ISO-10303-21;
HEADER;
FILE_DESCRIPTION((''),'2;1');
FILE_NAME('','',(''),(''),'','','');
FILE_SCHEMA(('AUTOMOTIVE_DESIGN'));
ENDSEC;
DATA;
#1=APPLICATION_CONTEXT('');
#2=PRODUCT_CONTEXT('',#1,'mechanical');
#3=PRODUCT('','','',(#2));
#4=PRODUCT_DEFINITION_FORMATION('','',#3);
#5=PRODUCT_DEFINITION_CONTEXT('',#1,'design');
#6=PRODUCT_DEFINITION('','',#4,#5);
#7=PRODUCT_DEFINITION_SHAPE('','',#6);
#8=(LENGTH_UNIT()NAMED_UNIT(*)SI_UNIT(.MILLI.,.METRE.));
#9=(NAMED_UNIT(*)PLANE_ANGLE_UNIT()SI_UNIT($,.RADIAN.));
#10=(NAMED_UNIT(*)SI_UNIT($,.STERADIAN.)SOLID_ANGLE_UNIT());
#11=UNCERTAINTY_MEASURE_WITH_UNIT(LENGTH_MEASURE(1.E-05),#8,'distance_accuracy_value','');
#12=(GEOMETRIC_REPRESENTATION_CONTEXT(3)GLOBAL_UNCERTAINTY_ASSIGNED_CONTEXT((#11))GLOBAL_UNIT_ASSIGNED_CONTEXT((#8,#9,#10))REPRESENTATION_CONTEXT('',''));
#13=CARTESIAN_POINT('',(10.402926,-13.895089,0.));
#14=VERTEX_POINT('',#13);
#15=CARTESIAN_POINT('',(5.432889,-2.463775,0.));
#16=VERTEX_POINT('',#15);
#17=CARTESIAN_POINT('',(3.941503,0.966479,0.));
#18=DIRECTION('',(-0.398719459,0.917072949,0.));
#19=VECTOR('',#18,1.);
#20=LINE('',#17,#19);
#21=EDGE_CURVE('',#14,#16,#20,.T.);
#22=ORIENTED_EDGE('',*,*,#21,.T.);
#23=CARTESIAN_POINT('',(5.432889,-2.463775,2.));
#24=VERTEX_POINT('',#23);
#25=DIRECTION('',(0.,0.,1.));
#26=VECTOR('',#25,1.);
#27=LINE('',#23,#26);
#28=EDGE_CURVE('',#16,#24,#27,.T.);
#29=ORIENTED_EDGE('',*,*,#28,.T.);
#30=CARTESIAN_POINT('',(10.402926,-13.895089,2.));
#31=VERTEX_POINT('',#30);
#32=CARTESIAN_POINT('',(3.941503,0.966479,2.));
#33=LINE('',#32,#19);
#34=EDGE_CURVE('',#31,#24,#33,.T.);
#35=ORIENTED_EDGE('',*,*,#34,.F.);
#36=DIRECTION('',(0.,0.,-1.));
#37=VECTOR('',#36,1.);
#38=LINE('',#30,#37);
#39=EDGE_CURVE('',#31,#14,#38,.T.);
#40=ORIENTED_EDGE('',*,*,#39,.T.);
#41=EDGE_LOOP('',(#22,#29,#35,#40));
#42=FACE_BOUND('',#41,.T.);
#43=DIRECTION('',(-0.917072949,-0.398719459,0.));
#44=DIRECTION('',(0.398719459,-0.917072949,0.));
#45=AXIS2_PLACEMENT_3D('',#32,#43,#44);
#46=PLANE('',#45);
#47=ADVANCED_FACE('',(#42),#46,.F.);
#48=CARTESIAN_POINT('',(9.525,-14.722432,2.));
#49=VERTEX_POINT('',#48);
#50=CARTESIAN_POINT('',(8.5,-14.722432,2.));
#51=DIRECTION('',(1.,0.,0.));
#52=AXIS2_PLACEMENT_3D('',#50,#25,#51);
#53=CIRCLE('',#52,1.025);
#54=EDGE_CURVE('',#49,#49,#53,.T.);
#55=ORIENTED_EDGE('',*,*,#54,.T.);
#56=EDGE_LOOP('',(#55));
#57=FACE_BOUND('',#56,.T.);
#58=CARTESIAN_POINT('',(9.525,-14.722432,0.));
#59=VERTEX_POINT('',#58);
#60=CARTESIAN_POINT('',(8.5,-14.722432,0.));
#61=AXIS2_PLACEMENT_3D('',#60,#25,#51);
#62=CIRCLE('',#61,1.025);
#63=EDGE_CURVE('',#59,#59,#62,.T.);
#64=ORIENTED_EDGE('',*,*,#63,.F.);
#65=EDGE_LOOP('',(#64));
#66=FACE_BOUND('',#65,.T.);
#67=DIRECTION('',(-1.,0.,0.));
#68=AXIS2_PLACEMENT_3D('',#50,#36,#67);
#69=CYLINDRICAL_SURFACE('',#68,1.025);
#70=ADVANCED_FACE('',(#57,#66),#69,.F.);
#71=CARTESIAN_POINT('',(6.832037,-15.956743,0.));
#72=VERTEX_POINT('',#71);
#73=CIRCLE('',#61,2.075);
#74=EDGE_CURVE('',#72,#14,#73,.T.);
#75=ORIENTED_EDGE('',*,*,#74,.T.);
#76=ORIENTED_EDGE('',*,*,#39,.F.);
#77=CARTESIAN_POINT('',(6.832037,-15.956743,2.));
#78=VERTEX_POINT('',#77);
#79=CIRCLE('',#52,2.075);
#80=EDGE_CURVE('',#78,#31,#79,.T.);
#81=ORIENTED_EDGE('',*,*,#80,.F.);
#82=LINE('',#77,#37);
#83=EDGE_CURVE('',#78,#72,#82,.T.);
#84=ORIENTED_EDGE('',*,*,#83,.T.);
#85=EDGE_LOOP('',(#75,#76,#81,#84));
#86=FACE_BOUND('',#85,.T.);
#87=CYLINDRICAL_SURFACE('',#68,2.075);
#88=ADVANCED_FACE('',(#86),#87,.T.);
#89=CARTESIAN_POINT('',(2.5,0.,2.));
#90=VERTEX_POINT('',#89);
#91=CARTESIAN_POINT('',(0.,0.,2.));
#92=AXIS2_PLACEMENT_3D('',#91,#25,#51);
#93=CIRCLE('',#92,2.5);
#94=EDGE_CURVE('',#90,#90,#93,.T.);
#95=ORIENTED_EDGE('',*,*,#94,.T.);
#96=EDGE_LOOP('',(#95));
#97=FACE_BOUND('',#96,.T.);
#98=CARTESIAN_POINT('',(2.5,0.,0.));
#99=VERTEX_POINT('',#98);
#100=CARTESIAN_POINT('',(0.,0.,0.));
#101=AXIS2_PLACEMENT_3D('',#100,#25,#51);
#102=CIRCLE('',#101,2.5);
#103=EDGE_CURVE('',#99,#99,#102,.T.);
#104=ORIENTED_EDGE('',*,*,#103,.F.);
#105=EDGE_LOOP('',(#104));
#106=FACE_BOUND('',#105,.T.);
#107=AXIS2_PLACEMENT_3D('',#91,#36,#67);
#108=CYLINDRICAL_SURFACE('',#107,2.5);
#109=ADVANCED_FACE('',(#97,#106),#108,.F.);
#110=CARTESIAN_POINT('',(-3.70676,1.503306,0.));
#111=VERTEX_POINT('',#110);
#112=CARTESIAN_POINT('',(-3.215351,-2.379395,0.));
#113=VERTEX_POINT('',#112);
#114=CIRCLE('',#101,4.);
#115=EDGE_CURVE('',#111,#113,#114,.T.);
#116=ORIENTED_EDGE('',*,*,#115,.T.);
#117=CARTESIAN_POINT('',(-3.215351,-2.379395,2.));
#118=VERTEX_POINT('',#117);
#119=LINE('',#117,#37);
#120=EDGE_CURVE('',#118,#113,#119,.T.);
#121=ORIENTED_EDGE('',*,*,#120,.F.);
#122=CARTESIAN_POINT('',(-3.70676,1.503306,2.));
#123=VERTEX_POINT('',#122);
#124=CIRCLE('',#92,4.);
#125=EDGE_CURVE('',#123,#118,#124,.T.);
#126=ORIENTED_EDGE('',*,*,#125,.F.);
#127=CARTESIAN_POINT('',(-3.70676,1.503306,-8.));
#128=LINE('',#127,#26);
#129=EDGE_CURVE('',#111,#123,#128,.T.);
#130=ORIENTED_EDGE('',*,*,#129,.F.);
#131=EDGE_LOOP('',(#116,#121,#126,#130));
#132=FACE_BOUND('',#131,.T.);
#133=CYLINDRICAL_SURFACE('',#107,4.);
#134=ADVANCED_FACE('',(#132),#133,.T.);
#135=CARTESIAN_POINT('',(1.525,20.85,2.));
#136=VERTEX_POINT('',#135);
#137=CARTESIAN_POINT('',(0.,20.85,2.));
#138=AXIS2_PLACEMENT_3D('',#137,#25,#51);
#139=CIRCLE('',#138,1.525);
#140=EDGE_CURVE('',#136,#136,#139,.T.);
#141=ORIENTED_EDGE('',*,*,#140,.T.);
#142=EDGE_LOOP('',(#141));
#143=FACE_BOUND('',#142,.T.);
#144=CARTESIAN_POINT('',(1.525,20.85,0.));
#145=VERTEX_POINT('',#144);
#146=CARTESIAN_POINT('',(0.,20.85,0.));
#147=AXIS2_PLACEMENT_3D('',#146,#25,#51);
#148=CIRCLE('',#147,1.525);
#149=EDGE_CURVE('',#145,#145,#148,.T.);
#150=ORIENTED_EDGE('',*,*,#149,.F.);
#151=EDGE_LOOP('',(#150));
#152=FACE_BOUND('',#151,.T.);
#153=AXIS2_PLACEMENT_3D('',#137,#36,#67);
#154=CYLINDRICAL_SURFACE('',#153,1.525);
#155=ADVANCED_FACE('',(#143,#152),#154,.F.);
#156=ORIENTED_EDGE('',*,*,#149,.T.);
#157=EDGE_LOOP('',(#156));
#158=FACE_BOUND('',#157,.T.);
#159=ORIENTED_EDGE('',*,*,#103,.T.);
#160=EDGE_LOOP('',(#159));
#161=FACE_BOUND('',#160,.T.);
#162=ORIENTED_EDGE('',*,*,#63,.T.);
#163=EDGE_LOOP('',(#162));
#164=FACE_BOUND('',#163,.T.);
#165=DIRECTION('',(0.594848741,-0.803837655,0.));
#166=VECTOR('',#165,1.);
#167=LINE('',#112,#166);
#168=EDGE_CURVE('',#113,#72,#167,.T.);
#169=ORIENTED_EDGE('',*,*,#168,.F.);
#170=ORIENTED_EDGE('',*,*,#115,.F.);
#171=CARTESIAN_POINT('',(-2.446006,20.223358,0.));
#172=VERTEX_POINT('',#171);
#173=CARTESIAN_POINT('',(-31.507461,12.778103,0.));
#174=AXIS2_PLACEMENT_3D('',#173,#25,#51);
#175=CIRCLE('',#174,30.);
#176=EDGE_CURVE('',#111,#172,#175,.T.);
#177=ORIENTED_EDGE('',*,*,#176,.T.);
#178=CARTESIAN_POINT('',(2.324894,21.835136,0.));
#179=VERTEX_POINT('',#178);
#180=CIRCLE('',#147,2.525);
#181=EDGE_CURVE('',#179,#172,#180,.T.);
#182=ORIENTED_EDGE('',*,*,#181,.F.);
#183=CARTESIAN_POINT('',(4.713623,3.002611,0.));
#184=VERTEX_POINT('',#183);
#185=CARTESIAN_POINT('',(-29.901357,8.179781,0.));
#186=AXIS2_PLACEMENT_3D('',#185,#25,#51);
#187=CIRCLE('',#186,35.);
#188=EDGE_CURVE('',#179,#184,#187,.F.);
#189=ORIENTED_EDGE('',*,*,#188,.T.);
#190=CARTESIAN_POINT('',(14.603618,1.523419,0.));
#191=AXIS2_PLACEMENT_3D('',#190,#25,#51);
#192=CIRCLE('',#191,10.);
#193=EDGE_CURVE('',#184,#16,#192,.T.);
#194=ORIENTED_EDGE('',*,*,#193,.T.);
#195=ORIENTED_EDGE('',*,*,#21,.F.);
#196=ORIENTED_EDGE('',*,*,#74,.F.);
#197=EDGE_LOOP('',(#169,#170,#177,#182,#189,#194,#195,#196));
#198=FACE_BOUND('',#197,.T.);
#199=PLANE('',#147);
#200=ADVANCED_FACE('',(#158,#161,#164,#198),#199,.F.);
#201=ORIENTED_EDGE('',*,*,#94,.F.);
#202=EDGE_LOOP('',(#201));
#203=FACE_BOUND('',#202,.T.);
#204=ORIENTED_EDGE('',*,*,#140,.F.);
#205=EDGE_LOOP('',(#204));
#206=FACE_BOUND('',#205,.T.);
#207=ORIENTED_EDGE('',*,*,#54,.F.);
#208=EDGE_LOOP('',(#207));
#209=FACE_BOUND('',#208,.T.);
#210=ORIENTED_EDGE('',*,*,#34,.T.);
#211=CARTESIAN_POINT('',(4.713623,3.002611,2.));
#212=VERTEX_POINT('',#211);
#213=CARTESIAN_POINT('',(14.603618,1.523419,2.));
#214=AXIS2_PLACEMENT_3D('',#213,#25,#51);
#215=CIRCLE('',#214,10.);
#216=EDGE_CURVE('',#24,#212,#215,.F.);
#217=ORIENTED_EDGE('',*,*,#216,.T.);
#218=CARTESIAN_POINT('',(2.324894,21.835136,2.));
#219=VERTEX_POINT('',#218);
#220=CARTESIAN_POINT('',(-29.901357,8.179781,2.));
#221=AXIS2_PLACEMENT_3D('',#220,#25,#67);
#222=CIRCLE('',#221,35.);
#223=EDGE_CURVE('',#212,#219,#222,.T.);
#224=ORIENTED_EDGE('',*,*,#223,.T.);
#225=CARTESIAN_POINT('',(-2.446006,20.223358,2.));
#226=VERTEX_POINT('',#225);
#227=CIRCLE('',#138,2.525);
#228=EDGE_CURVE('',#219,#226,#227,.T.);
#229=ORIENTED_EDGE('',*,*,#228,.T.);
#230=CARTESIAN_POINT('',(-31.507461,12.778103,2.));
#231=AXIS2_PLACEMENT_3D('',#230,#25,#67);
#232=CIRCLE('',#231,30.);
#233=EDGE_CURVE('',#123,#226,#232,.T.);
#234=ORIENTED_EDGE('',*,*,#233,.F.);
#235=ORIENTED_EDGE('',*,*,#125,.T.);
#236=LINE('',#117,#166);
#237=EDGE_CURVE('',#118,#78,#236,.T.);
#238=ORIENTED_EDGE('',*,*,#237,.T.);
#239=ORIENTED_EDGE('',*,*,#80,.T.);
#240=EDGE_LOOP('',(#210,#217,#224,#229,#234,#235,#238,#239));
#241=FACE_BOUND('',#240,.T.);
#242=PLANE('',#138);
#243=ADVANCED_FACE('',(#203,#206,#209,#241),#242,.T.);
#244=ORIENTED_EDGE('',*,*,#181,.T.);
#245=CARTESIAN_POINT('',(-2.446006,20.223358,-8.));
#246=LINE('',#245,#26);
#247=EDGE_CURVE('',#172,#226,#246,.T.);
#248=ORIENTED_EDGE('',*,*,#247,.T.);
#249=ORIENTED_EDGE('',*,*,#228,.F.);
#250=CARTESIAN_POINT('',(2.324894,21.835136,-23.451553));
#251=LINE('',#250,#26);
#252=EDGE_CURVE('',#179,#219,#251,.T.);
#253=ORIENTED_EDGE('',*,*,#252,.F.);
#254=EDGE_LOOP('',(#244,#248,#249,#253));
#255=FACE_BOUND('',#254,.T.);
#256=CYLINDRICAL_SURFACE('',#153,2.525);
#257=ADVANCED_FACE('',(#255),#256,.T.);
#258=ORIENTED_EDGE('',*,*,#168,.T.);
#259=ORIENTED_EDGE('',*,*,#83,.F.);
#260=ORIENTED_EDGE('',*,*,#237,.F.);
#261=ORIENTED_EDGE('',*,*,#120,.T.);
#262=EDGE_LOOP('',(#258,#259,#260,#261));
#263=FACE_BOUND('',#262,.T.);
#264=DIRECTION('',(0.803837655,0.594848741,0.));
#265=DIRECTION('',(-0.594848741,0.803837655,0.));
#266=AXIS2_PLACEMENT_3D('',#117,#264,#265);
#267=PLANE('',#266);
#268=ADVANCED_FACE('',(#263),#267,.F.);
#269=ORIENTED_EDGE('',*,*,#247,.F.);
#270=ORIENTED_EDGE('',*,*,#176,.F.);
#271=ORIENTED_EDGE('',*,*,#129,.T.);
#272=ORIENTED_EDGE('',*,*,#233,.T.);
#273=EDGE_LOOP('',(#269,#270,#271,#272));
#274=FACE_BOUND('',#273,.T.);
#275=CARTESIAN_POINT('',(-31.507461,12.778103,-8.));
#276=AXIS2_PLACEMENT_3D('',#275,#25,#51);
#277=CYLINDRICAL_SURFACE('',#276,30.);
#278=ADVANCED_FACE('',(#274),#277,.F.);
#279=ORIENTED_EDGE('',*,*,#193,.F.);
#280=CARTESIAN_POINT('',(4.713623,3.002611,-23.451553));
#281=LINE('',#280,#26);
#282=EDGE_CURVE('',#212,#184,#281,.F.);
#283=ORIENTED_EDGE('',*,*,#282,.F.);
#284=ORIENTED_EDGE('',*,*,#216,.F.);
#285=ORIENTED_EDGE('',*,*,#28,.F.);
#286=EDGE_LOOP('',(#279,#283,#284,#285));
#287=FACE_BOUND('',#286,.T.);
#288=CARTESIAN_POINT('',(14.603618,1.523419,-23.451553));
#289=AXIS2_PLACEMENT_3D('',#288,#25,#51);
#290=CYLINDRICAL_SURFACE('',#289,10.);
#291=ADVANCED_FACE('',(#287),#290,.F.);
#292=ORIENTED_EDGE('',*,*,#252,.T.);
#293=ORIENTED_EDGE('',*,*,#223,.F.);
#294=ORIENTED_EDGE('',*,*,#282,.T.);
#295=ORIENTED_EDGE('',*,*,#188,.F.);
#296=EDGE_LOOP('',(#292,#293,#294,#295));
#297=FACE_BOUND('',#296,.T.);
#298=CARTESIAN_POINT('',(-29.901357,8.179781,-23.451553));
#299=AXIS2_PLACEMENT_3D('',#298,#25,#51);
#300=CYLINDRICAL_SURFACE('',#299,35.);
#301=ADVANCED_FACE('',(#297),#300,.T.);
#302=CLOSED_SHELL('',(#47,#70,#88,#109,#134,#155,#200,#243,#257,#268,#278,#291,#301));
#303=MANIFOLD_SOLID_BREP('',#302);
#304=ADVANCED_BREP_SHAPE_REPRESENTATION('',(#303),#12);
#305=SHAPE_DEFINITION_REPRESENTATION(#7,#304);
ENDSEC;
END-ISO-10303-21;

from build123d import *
from build123d.topology import SkipClean

# Parameters (mm, degrees)
SKETCH_1_R          = 1.525
SKETCH_1_R_2        = 1.025
SKETCH_1_R_3        = 2.5
EXTRUDE_1_DEPTH     = 2
CUT_EXTRUDE_START   = -10
CUT_EXTRUDE_1_DEPTH = 10
EXTRUDE_START       = -2
EXTRUDE_2_DEPTH     = 2
FILLET_1_R          = 10


with BuildPart() as part:
    # 草图1 → 凸台-拉伸1 (new body)
    with BuildSketch(Plane.XY):
        with BuildLine():
            Line((-2.51867373, 21.028627098), (-3.989978187, 0.282973621))
            ThreePointArc((-3.989978187, 0.282973621), (-3.84073462, -1.117478224), (-3.215350618, -2.379394965))
            Line((-3.215350618, -2.379394965), (6.832036867, -15.956743003))
            ThreePointArc((6.832036867, -15.956743003), (9.5375, -16.519434577), (10.402926369, -13.895088987))
            Line((10.402926369, -13.895088987), (3.941503233, 0.966479061))
            Line((3.941503233, 0.966479061), (2.51867373, 21.028627098))
            ThreePointArc((2.51867373, 21.028627098), (0, 23.375), (-2.51867373, 21.028627098))
        make_face()
        with Locations((0, 20.85)):
            Circle(SKETCH_1_R, mode=Mode.SUBTRACT)
        with Locations((8.5, -14.722431864)):
            Circle(SKETCH_1_R_2, mode=Mode.SUBTRACT)
        Circle(SKETCH_1_R_3, mode=Mode.SUBTRACT)
    extrude(amount=EXTRUDE_1_DEPTH)

    # 草图2 → 切除-拉伸1 (cut)
    with SkipClean():  # the faces are left unmerged after this step: merging them gives an invalid solid
        with BuildSketch(Plane.XY.offset(2).offset(CUT_EXTRUDE_START)):
            with BuildLine():
                Line((-2.51867373, 21.028627098), (-3.989978187, 0.282973621))
                ThreePointArc((-3.989978187, 0.282973621), (-3.896440427, 0.904296412), (-3.706760113, 1.503306179))
                ThreePointArc((-3.706760113, 1.503306179), (-1.57526628, 10.762235027), (-2.446005808, 20.22335769))
                ThreePointArc((-2.446005808, 20.22335769), (-2.514781389, 20.623064846), (-2.51867373, 21.028627098))
            make_face()
        extrude(amount=CUT_EXTRUDE_1_DEPTH, mode=Mode.SUBTRACT)

    # 草图3 → 凸台-拉伸2 (add)
    with SkipClean():  # the faces are left unmerged after this step: merging them gives an invalid solid
        with BuildSketch(Plane.XY.offset(2).offset(EXTRUDE_START)):
            with BuildLine():
                Line((0, 4), (0, 18.325))
                ThreePointArc((0, 18.325), (2.105124017, 19.455698069), (2.324893847, 21.835136337))
                ThreePointArc((2.324893847, 21.835136337), (5.020381454, 10.519043648), (3.858239677, -1.055455635))
                ThreePointArc((3.858239677, -1.055455635), (3.179765914, 2.426744471), (0, 4))
            make_face()
        extrude(amount=EXTRUDE_2_DEPTH)

    # 圆角1
    fillet_1_edges = [part.edges().sort_by_distance(p)[0] for p in [
        (4.210891787, 0.346873093, 1),
    ]]
    fillet(fillet_1_edges, radius=FILLET_1_R)


solid = part.part
